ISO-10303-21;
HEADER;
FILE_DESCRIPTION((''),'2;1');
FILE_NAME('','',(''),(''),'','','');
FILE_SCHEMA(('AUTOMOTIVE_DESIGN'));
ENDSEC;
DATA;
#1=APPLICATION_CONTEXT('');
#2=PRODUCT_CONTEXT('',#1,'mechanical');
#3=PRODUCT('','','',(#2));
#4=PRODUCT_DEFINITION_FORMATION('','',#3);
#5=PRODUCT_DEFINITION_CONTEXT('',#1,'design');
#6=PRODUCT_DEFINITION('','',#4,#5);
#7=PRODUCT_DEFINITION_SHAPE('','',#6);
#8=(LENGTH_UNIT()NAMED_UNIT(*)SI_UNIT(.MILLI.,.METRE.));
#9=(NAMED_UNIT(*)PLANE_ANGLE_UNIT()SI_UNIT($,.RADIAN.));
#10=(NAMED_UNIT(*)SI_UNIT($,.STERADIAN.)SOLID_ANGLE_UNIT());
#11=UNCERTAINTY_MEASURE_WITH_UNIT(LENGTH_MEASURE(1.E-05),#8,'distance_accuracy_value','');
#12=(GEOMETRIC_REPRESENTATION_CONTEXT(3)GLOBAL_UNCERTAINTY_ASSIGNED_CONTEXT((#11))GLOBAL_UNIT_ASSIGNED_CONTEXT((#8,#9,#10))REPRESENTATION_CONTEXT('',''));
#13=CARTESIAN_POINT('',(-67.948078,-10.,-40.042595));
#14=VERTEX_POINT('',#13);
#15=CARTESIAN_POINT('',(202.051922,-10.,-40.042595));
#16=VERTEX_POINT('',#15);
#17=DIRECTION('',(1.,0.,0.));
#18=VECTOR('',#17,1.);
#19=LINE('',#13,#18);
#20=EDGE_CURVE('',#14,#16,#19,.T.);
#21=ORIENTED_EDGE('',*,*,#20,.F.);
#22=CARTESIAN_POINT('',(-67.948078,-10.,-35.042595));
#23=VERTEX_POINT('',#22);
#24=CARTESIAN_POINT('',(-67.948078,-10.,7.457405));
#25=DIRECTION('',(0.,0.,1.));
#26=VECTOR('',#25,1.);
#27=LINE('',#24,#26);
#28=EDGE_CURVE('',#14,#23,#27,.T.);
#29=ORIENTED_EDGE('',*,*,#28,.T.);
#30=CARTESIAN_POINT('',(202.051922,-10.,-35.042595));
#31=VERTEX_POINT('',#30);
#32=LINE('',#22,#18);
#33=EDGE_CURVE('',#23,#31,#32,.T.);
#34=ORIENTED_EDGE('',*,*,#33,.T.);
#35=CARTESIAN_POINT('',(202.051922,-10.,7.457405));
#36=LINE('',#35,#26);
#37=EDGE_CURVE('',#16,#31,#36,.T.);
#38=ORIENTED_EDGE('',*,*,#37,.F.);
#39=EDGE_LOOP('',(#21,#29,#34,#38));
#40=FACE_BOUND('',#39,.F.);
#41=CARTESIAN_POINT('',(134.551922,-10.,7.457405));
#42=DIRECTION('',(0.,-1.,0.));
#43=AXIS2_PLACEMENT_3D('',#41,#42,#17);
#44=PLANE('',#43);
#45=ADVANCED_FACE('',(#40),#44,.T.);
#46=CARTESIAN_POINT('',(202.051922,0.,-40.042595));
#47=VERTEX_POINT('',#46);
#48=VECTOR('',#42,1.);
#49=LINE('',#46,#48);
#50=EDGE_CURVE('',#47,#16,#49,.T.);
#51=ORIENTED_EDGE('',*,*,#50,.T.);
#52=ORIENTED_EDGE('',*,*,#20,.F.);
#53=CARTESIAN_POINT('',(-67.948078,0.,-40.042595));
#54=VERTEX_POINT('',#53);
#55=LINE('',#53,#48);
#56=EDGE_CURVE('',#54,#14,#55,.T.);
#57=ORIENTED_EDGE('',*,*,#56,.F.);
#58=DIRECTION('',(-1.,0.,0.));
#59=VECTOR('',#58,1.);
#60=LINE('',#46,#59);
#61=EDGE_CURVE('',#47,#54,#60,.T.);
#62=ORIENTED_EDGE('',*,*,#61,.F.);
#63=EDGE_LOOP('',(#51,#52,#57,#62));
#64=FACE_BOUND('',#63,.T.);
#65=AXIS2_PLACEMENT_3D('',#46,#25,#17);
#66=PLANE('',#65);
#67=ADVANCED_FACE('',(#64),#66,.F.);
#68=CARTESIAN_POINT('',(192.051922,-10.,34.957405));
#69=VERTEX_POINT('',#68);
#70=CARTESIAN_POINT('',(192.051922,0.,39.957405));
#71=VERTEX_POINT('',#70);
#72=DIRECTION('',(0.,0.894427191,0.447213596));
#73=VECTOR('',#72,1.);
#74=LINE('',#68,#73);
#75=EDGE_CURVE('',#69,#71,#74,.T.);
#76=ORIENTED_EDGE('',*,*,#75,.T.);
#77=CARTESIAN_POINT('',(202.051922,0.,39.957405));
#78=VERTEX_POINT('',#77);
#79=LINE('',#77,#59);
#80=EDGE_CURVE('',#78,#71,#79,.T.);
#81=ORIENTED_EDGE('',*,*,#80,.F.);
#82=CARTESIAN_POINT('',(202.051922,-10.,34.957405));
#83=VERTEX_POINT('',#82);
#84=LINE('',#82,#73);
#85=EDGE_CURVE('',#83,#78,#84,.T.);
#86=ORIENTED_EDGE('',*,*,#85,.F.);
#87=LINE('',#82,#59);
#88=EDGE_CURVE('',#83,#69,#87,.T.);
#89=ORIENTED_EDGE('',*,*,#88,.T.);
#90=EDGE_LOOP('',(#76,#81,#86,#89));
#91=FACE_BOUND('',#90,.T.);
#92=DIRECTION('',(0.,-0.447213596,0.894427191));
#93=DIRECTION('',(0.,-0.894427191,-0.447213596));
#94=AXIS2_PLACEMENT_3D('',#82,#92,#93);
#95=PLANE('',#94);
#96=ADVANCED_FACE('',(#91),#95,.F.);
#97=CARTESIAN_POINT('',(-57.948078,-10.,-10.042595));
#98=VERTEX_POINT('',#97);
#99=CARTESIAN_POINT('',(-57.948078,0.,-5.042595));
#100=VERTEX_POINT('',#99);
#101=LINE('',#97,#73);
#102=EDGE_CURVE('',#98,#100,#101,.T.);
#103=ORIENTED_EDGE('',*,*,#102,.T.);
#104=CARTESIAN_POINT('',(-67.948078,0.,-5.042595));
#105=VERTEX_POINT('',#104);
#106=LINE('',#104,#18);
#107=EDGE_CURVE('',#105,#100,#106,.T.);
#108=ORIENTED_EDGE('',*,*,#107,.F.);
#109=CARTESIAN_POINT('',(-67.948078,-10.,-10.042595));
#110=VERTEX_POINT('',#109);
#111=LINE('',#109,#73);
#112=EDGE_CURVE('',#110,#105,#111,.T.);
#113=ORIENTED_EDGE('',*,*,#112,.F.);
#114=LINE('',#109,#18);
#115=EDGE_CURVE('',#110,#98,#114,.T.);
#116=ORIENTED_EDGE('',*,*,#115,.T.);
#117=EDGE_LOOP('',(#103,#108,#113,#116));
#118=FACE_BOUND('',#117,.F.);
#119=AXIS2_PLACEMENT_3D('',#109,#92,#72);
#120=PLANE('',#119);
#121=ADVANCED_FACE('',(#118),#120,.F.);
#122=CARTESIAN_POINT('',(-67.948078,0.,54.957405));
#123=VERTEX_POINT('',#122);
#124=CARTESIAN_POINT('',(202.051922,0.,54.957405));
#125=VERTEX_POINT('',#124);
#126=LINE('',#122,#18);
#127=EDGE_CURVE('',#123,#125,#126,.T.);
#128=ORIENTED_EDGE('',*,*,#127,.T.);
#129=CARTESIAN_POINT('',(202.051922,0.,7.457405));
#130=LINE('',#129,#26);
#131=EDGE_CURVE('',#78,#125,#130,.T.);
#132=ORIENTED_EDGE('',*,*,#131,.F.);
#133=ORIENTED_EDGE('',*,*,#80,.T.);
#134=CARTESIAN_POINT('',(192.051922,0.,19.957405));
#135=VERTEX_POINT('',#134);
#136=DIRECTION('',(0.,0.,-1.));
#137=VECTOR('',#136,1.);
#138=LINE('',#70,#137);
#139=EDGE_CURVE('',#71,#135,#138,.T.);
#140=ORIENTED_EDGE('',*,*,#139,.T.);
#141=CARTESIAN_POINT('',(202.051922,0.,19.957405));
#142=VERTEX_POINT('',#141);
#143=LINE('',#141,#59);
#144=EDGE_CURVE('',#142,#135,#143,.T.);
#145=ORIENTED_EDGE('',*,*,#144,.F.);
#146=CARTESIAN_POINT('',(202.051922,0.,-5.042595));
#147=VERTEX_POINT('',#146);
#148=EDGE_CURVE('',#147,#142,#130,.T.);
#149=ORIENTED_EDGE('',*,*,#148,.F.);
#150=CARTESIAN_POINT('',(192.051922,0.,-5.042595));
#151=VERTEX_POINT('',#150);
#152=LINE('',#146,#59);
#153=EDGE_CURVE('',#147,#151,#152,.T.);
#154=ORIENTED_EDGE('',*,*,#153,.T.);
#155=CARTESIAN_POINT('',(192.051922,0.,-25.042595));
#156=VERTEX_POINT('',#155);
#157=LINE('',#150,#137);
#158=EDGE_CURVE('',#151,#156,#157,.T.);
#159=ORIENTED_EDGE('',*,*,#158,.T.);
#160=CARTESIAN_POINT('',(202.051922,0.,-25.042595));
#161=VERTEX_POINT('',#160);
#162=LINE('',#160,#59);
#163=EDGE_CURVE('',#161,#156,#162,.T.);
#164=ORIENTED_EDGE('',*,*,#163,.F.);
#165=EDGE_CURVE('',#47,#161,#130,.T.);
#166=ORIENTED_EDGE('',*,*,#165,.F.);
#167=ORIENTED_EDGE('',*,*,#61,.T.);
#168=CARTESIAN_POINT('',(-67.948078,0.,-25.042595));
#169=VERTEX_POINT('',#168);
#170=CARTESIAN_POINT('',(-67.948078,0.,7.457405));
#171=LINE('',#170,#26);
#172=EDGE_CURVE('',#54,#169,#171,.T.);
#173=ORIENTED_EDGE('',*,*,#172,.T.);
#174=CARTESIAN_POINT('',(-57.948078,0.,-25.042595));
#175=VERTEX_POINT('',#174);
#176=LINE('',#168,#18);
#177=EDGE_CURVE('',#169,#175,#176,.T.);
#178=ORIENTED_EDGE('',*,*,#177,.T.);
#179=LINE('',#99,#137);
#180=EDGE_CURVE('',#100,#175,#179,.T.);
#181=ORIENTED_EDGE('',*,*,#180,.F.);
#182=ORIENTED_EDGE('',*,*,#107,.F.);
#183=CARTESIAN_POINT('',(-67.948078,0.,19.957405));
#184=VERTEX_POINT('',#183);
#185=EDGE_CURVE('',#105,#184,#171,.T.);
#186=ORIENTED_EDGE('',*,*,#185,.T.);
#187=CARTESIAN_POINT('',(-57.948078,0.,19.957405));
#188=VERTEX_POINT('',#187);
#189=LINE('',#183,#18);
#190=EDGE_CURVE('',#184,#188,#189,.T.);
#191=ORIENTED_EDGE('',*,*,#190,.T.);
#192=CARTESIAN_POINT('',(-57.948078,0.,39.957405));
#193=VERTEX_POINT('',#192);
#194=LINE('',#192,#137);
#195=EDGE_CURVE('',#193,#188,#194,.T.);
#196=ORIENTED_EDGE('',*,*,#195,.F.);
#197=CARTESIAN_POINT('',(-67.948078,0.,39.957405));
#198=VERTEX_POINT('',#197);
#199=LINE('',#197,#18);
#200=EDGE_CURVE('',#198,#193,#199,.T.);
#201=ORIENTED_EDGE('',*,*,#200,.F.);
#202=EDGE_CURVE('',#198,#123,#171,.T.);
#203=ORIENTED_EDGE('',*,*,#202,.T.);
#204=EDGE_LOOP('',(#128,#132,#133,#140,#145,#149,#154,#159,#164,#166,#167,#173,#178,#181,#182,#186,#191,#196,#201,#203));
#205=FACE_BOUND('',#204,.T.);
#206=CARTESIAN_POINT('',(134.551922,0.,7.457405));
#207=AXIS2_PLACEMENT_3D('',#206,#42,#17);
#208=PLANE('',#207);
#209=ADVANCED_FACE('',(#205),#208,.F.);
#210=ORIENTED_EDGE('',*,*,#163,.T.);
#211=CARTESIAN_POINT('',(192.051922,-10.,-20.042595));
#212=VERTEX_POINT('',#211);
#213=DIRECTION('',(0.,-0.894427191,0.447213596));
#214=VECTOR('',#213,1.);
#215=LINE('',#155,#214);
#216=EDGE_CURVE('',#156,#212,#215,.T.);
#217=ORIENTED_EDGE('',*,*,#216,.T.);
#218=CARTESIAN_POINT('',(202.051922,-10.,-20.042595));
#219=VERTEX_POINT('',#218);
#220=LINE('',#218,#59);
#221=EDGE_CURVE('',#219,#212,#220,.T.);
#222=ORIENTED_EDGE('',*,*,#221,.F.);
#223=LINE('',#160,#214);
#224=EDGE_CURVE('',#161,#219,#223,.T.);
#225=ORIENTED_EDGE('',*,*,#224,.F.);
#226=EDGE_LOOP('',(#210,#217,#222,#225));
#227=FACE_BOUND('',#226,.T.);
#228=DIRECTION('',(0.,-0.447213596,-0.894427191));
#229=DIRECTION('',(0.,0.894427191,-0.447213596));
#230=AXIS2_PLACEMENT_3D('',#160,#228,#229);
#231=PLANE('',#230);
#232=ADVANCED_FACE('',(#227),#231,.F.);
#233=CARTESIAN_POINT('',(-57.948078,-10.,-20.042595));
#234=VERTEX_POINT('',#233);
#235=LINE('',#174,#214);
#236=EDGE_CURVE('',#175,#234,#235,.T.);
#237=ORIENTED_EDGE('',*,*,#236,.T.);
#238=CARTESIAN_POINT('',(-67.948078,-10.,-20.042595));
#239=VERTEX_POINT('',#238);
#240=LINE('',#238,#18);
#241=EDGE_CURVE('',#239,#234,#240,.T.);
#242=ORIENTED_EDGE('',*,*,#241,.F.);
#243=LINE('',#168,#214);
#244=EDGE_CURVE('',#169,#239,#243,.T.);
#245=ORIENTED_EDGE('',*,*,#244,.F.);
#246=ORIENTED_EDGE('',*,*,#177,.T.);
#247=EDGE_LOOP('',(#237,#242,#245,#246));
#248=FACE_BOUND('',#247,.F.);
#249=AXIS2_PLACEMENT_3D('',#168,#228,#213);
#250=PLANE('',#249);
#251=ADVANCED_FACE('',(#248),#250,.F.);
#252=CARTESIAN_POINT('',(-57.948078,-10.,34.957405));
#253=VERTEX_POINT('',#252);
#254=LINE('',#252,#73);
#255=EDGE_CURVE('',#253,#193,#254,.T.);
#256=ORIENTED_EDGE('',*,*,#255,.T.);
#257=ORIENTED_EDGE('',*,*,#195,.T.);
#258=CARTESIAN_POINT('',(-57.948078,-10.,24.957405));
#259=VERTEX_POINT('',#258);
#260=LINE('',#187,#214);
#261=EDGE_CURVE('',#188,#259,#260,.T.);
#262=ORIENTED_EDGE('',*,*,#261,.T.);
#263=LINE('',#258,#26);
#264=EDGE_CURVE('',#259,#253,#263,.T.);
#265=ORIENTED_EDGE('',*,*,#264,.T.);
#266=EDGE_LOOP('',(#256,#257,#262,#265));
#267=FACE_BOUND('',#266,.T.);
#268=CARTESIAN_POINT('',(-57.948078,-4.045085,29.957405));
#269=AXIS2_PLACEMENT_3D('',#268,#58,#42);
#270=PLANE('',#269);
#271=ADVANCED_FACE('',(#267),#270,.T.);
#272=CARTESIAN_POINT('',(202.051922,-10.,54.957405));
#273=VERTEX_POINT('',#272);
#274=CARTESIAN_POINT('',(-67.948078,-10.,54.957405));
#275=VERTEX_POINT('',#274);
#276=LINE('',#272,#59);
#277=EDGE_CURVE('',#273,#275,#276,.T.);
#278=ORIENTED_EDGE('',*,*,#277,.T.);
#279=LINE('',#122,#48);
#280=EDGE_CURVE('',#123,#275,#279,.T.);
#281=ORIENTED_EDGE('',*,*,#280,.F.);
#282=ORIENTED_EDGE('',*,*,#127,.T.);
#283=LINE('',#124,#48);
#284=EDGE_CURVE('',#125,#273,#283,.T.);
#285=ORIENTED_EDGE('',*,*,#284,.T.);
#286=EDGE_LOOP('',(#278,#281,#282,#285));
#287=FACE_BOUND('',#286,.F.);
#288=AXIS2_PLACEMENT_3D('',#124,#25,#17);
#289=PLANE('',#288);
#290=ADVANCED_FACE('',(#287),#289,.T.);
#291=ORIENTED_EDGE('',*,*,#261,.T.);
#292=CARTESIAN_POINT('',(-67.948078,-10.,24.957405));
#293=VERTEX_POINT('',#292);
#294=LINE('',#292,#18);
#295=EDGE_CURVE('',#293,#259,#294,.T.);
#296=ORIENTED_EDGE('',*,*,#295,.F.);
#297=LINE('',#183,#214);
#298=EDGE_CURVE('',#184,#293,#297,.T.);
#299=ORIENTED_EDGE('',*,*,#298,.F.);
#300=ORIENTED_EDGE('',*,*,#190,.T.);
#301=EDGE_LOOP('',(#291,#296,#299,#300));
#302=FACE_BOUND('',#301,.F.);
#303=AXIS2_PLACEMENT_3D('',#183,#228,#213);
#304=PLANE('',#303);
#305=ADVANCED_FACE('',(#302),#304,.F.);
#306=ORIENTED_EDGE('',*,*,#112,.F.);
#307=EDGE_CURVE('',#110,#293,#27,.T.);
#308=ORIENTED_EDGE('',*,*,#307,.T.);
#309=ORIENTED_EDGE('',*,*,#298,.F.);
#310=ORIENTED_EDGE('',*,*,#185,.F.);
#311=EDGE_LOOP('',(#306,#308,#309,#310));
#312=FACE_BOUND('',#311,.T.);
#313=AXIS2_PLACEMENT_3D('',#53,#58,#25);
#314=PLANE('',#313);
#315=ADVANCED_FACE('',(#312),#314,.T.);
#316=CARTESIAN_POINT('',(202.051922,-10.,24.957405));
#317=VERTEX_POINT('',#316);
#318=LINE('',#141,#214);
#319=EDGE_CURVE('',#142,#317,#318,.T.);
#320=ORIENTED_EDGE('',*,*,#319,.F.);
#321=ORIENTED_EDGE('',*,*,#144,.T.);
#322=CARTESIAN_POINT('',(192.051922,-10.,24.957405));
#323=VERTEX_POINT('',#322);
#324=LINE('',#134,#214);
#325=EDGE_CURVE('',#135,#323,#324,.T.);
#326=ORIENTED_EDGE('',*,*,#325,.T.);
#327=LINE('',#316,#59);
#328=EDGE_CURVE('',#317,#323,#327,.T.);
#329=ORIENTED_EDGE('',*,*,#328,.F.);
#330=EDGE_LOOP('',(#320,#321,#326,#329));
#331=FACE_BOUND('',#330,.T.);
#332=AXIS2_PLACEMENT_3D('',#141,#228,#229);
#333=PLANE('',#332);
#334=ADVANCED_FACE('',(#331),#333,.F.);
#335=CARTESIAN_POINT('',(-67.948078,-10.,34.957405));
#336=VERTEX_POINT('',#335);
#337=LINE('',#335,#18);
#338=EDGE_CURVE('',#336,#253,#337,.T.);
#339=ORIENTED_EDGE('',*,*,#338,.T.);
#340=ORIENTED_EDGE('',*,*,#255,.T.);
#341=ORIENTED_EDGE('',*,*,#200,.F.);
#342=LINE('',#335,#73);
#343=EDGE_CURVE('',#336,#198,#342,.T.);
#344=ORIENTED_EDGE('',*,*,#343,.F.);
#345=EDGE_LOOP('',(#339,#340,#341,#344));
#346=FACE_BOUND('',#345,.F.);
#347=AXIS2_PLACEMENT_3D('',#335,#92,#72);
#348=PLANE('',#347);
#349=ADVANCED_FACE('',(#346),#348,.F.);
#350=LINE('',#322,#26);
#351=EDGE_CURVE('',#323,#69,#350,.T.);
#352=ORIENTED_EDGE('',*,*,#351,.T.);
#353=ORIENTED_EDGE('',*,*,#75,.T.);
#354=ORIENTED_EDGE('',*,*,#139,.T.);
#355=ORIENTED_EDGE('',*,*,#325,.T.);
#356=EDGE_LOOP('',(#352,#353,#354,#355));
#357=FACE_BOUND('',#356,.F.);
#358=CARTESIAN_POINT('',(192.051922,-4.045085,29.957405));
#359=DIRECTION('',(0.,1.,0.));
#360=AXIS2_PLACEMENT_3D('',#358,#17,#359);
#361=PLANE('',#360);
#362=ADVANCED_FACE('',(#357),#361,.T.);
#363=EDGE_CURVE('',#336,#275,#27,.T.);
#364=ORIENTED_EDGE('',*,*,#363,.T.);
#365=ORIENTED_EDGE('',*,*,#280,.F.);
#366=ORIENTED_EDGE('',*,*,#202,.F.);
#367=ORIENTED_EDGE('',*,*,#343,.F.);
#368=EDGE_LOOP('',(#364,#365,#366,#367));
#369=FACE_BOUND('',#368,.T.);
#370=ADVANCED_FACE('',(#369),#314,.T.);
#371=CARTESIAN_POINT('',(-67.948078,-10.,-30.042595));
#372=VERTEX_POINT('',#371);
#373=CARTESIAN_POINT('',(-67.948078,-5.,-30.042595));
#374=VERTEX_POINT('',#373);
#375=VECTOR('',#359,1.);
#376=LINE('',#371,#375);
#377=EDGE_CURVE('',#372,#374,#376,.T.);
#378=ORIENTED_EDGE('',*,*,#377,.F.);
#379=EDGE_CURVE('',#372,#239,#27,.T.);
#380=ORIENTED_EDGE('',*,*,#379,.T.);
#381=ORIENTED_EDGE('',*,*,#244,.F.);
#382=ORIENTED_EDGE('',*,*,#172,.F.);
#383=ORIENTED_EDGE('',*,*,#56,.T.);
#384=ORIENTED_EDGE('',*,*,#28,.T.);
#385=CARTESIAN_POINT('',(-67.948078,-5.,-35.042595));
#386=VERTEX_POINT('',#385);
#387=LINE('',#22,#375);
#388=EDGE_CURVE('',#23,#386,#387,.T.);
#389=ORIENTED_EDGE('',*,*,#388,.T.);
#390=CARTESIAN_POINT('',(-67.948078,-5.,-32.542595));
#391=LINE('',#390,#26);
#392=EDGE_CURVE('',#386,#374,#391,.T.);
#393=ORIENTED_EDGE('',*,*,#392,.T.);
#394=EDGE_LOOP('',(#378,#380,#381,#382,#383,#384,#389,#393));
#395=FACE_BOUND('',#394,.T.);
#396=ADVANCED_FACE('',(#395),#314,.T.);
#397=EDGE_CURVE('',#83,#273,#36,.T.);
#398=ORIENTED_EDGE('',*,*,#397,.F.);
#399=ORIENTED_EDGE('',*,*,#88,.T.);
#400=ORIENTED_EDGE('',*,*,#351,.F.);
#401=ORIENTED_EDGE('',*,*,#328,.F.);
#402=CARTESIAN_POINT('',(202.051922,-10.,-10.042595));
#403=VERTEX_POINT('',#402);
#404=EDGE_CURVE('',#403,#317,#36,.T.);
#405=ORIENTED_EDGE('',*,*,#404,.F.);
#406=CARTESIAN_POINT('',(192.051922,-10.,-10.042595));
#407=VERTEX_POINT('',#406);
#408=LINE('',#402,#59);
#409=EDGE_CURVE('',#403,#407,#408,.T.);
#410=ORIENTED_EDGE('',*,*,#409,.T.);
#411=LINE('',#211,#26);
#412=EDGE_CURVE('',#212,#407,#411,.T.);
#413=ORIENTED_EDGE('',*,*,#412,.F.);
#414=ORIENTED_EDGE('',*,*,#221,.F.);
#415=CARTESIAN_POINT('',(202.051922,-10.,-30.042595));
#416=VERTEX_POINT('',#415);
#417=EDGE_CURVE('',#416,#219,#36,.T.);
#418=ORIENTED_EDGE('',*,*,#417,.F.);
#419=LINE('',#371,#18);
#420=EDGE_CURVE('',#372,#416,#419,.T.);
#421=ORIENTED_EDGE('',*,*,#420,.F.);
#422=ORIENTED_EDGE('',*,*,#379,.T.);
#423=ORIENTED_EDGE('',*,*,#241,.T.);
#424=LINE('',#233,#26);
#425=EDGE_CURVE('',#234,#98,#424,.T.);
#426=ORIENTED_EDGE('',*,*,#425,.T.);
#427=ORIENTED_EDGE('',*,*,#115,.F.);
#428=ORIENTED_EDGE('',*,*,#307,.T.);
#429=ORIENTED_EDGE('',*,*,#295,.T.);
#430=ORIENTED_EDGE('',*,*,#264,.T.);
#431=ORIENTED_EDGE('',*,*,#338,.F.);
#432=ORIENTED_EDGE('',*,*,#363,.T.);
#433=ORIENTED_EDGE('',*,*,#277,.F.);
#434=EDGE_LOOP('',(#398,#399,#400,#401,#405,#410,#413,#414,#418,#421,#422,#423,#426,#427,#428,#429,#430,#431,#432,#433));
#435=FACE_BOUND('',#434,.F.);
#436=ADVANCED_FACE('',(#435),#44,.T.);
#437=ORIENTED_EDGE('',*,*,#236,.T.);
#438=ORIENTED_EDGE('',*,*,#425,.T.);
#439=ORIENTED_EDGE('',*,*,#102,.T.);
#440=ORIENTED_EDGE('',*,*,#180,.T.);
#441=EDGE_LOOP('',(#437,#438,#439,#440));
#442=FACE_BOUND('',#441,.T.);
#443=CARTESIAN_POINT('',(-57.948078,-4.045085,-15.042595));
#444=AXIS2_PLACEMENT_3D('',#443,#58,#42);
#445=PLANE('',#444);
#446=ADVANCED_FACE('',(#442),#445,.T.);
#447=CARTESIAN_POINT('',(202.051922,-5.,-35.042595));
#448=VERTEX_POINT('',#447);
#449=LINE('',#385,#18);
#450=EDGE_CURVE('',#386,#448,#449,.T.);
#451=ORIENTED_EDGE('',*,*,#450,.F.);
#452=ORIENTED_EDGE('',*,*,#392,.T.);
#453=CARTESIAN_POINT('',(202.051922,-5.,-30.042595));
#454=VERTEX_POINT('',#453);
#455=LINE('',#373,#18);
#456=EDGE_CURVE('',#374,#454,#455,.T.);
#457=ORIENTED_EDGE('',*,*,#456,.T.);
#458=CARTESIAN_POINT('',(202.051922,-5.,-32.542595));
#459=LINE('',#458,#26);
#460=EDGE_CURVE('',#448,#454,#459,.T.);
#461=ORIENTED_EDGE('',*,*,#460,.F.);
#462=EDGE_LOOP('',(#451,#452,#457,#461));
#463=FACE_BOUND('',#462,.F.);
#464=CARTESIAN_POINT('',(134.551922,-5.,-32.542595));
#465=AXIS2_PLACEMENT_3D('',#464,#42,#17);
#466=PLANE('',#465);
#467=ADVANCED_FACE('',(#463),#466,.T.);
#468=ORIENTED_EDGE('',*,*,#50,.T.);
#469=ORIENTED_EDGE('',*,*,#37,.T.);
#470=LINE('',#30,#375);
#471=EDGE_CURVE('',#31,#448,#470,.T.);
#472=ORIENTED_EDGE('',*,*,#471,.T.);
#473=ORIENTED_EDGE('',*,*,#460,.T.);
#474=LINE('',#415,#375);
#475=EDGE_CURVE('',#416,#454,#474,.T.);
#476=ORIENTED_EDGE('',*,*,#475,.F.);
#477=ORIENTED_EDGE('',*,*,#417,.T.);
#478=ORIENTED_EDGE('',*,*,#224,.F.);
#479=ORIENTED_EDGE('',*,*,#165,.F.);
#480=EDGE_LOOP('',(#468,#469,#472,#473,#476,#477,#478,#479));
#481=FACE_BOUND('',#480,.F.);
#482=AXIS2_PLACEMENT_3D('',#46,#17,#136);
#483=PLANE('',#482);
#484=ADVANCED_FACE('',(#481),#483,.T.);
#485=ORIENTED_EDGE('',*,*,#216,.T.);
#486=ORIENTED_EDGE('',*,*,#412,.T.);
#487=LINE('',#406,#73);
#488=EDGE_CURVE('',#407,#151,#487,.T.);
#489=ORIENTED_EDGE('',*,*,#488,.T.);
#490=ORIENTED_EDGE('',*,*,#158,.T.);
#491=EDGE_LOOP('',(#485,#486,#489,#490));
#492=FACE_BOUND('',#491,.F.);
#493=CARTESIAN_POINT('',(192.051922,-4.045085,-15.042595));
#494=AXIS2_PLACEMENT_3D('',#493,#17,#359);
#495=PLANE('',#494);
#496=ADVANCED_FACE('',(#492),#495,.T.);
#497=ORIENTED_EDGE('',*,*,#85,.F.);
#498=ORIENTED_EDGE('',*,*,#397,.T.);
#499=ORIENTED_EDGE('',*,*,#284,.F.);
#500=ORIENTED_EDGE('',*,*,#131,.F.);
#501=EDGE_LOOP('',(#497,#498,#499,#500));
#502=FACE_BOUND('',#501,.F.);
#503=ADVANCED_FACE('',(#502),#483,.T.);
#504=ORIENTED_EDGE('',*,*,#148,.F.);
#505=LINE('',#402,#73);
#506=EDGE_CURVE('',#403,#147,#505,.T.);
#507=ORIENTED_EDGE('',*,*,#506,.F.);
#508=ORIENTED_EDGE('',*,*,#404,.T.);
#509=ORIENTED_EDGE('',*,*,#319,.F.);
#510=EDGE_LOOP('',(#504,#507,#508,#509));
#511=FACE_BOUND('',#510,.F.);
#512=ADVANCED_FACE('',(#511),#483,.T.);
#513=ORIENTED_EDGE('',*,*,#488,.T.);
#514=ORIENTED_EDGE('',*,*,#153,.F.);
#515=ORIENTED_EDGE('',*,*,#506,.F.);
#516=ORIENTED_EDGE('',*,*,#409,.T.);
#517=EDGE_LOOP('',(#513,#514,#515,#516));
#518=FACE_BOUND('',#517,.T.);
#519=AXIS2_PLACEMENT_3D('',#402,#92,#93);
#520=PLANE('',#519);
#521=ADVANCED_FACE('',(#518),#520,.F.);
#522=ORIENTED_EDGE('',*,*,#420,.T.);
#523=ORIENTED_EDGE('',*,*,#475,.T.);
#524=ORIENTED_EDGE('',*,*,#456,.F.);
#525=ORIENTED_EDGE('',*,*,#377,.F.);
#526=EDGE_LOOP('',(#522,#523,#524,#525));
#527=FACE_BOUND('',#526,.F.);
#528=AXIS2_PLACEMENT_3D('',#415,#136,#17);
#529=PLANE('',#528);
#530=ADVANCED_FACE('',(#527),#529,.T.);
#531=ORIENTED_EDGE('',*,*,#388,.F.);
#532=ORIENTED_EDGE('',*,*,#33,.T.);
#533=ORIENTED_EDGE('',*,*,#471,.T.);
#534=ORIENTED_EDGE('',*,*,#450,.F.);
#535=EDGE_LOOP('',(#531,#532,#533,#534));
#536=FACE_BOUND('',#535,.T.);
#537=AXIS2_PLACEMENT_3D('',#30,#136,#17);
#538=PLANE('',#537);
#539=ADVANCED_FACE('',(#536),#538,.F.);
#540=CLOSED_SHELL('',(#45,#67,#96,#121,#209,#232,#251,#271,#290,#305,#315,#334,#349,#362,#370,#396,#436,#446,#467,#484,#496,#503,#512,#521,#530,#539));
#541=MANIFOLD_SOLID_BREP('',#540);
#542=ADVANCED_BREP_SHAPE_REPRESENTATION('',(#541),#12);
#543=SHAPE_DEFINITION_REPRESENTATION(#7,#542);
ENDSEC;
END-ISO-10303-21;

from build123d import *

# Parameters (mm, degrees)
F0_W     = 135
F0_H     = 95
F1_DEPTH = 10
F3_DEPTH = 10
F4_W     = 135
F4_H     = 5
F5_DEPTH = 5


with BuildPart() as f1:
    # F0 (on Front) → F1 (new body)
    with BuildSketch(Plane.XZ):
        with Locations((-0.448078, 7.457405)):
            Rectangle(F0_W, F0_H)
    extrude(amount=F1_DEPTH)

    # F2 (on face) → F3 (cut)
    with BuildSketch(Plane(origin=(-67.948078, 0, 0), x_dir=(0, -1, 0), z_dir=(-1, 0, 0))):
        Polygon((10, 34.957405), (0, 39.957405), (0, 19.957405), (10, 24.957405), align=None)
        Polygon((10, -10.042595), (0, -5.042595), (0, -25.042595), (10, -20.042595), align=None)
    extrude(amount=-F3_DEPTH, mode=Mode.SUBTRACT)

    # F4 (on face) → F5 (cut)
    with BuildSketch(Plane.XZ.offset(10)):
        with Locations((-0.448078, -32.542595)):
            Rectangle(F4_W, F4_H)
    extrude(amount=-F5_DEPTH, mode=Mode.SUBTRACT)

    # F6: F1 across face


with BuildPart() as f1_1:
    add(f1.part)
    add(f1.part.mirror(Plane(origin=(67.051922, -4.932432, 8.538486), x_dir=(0, 1, 0), z_dir=(1, 0, 0))))


solid = f1_1.part
